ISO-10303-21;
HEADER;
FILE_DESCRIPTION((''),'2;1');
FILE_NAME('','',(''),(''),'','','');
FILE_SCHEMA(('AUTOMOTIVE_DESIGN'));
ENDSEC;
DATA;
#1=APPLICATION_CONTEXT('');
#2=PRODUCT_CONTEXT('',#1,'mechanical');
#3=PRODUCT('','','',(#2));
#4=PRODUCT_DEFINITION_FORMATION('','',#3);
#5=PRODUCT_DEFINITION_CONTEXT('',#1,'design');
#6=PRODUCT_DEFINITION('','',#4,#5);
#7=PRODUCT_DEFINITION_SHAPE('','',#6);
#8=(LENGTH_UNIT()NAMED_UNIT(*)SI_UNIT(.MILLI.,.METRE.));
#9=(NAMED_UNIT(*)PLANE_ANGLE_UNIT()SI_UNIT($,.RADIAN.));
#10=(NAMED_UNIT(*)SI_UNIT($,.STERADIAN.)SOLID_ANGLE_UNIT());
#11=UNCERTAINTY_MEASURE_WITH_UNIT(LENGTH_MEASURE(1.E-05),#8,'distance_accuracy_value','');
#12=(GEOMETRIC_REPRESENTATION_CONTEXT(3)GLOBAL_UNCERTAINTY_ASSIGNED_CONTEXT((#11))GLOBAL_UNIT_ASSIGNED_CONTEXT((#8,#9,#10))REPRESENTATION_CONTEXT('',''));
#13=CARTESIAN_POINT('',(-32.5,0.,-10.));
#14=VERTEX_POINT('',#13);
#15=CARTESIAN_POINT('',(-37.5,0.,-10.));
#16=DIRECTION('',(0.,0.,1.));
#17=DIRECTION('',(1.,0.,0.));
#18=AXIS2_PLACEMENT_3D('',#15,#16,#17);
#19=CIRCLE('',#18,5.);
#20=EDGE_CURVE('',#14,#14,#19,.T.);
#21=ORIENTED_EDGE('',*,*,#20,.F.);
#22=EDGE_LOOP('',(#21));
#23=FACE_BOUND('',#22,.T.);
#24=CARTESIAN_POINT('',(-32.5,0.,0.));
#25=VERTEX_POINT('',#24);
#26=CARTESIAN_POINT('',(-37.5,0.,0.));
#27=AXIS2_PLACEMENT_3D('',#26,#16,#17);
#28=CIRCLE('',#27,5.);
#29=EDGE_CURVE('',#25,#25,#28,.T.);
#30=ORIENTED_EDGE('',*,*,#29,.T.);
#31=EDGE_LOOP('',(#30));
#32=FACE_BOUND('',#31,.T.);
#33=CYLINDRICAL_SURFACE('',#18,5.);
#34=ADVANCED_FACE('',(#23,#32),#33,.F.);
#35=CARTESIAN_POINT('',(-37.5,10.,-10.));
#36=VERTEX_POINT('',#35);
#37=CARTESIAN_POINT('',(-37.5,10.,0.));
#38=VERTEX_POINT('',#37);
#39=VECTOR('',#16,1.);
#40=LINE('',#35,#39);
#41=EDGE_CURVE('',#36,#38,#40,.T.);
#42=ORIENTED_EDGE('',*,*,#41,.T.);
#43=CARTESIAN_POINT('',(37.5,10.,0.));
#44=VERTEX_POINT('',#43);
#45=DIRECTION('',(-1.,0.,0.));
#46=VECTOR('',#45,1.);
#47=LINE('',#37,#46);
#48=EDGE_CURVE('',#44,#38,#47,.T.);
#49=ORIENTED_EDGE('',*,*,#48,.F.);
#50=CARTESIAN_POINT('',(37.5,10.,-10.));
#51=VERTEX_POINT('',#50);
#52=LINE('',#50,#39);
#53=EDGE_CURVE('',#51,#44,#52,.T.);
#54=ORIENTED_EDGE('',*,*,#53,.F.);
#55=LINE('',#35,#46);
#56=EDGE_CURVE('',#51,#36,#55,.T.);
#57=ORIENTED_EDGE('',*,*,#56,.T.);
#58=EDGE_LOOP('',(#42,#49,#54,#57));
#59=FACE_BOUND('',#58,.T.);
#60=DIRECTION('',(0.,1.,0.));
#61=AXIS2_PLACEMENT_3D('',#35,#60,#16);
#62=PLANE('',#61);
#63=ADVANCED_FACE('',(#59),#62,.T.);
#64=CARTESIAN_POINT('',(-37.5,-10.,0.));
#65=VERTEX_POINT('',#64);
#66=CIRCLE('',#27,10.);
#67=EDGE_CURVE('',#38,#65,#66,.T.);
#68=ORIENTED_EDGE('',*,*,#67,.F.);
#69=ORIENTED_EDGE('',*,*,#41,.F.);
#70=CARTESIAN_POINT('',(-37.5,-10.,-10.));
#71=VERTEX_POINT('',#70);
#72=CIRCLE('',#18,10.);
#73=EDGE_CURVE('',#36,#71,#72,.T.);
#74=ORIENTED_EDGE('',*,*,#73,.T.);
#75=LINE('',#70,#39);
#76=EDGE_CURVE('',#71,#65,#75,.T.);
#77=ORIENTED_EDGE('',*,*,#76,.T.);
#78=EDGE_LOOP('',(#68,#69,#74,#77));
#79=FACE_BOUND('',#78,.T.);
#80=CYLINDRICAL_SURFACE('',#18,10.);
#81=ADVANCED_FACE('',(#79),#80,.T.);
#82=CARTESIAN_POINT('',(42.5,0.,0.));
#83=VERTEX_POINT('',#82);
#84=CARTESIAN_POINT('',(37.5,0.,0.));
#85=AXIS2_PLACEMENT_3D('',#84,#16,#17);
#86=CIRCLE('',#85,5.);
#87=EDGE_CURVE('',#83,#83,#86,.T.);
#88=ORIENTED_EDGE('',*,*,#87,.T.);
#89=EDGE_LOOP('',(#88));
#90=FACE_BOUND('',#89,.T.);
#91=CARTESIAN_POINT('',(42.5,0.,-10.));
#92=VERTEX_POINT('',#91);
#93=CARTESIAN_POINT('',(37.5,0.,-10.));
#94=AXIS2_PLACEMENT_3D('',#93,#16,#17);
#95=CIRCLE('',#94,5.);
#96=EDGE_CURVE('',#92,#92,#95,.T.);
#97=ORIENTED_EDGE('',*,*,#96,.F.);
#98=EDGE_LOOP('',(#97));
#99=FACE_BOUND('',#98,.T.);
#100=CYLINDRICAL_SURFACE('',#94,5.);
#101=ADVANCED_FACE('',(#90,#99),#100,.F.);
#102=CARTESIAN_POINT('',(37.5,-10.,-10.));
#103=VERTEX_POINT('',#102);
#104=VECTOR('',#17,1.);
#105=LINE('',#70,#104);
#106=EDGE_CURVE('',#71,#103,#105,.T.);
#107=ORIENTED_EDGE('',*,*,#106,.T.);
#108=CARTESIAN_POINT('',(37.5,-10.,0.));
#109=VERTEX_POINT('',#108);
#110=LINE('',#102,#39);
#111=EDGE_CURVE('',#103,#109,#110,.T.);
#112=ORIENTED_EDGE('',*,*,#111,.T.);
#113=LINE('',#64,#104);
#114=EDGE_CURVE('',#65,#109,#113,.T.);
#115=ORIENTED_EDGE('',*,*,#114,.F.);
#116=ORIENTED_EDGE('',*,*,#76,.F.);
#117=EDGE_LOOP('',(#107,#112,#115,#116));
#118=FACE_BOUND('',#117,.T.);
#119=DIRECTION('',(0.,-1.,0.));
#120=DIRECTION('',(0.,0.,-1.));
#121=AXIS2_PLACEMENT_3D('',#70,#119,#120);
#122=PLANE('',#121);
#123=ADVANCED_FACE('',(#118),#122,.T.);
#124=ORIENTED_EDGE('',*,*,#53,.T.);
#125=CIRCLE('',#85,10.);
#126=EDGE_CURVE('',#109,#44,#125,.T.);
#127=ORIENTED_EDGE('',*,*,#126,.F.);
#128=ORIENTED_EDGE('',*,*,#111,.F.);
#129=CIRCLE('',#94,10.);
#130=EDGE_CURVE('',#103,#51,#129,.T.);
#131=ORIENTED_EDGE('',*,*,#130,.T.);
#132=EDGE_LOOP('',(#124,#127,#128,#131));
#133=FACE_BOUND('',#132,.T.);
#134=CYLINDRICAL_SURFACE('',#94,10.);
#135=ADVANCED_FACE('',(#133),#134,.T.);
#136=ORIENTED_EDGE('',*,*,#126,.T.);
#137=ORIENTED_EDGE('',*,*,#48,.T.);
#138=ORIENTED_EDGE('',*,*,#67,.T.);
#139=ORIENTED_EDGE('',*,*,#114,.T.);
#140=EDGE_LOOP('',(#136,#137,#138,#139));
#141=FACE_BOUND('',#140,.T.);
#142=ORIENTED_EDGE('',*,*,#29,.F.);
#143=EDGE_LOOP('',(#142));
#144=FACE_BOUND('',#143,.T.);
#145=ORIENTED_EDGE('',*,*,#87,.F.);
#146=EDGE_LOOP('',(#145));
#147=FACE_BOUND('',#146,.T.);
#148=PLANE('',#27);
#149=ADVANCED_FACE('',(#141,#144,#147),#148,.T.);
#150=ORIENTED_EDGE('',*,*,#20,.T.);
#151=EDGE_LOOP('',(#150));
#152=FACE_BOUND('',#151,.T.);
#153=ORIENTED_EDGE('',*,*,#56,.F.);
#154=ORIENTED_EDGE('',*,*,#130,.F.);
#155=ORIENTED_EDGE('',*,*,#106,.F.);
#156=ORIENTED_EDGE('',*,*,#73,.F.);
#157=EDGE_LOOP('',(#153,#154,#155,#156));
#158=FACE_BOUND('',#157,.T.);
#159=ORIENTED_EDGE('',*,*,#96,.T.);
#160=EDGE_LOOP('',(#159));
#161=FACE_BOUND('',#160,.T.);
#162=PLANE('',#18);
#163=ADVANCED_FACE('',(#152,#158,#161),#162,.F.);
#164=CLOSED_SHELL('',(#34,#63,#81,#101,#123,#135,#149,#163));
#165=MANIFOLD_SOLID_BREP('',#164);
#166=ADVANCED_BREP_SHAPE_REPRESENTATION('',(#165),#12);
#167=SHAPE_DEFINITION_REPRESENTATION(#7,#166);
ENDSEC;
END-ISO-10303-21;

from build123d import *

# Parameters (mm, degrees)
SKETCH1_R           = 5
BOSS_EXTRUDE1_DEPTH = 10


with BuildPart() as part:
    # Sketch1 → Boss-Extrude1 (new body)
    with BuildSketch(Plane.XY):
        with BuildLine():
            Line((-37.5, 10), (37.5, 10))
            ThreePointArc((37.5, 10), (47.5, 0), (37.5, -10))
            Line((37.5, -10), (-37.5, -10))
            ThreePointArc((-37.5, -10), (-47.5, 0), (-37.5, 10))
        make_face()
        with Locations((-37.5, 0)):
            Circle(SKETCH1_R, mode=Mode.SUBTRACT)
        with Locations((37.5, 0)):
            Circle(SKETCH1_R, mode=Mode.SUBTRACT)
    extrude(amount=-BOSS_EXTRUDE1_DEPTH)


solid = part.part
